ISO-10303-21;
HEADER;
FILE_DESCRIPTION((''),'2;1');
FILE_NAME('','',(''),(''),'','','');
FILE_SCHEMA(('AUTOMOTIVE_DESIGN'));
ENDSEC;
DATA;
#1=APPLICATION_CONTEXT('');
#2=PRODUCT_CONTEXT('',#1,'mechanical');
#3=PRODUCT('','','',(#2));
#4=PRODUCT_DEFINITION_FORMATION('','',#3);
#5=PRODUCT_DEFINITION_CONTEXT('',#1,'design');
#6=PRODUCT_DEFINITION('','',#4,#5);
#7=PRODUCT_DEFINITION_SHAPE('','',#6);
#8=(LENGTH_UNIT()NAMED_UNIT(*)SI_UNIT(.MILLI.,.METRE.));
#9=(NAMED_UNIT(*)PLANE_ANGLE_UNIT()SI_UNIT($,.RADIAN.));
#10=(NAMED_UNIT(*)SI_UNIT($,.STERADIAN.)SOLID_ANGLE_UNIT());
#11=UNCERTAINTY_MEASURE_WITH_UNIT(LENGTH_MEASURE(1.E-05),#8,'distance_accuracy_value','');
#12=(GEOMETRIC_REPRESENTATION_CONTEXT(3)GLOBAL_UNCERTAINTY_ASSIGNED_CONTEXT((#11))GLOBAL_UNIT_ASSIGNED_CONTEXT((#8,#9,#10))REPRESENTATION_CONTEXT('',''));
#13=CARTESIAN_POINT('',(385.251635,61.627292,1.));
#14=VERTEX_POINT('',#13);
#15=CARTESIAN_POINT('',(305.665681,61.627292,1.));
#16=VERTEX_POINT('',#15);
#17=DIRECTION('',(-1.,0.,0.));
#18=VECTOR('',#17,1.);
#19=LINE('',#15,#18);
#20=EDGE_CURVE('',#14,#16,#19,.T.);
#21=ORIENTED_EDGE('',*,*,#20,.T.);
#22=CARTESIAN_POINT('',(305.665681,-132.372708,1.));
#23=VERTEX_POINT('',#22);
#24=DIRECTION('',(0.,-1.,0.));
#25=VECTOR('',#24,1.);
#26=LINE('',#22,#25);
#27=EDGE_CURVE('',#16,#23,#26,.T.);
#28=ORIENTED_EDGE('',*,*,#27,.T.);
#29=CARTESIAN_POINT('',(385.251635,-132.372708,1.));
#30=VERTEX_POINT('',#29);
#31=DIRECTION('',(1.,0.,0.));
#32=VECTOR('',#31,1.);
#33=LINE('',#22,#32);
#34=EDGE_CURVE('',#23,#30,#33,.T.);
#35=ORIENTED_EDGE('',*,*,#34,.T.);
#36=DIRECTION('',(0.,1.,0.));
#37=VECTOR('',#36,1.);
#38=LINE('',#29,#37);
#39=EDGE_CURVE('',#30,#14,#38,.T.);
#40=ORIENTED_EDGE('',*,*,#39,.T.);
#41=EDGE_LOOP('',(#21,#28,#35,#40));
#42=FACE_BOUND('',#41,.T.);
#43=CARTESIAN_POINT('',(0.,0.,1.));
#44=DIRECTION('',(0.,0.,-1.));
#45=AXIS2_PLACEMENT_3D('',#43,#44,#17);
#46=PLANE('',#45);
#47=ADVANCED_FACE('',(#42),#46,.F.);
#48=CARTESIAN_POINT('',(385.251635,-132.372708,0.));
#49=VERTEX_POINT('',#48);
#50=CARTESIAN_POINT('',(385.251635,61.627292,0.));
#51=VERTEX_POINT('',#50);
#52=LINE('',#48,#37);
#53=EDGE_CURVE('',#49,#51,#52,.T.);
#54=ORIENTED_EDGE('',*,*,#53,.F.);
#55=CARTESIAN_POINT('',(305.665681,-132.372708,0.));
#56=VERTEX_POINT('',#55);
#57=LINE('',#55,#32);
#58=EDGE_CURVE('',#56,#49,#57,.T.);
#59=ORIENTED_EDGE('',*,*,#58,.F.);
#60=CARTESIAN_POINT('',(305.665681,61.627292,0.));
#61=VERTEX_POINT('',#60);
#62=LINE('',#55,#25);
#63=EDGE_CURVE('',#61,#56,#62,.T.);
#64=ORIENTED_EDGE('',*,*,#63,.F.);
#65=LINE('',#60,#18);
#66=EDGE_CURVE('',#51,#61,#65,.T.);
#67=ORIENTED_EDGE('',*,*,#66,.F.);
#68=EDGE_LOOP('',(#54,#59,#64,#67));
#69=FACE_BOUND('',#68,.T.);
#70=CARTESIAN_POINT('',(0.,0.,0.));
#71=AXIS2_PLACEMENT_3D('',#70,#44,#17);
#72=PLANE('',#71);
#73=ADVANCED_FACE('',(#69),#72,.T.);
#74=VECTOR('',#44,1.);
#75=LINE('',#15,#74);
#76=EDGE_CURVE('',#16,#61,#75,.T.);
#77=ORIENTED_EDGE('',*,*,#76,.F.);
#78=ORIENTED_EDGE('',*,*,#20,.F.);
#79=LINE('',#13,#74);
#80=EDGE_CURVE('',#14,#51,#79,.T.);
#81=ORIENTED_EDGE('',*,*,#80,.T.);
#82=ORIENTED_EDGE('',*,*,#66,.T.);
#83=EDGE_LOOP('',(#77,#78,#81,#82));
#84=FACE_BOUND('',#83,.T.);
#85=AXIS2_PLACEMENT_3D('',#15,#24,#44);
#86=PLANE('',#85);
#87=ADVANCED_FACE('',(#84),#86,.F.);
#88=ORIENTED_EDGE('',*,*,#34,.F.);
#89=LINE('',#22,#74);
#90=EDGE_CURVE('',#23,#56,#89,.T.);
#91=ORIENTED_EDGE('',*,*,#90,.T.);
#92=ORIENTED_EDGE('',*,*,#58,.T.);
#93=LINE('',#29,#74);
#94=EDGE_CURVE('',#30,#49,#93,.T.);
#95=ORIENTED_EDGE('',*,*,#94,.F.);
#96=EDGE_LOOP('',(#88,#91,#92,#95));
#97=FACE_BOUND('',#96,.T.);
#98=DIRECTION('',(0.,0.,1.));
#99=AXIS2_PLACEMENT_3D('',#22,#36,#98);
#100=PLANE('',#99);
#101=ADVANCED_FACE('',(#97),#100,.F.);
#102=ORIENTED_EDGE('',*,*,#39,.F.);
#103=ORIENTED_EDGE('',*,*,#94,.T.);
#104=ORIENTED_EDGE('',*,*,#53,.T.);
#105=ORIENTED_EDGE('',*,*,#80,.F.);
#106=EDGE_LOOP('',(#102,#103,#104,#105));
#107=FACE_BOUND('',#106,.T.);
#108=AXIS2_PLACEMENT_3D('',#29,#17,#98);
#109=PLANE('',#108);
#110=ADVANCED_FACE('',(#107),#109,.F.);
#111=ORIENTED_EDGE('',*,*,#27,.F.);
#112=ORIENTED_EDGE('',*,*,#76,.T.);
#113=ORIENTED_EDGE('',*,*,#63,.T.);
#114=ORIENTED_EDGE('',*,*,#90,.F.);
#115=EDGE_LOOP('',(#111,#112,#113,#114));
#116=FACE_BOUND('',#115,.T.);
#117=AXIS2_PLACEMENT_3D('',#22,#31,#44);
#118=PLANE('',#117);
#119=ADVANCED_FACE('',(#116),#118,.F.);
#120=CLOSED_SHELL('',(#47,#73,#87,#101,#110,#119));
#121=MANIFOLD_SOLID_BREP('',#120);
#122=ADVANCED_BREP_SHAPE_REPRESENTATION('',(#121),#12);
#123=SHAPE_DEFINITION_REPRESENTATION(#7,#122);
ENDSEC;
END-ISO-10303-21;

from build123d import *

# Parameters (mm, degrees)
SKETCH1_W           = 79.585954278
SKETCH1_H           = 194
BOSS_EXTRUDE1_DEPTH = 1


with BuildPart() as part:
    # Sketch1 → Boss-Extrude1 (new body)
    with BuildSketch(Plane.XY):
        with Locations((345.458658295, -35.372707696)):
            Rectangle(SKETCH1_W, SKETCH1_H)
    extrude(amount=BOSS_EXTRUDE1_DEPTH)


solid = part.part
